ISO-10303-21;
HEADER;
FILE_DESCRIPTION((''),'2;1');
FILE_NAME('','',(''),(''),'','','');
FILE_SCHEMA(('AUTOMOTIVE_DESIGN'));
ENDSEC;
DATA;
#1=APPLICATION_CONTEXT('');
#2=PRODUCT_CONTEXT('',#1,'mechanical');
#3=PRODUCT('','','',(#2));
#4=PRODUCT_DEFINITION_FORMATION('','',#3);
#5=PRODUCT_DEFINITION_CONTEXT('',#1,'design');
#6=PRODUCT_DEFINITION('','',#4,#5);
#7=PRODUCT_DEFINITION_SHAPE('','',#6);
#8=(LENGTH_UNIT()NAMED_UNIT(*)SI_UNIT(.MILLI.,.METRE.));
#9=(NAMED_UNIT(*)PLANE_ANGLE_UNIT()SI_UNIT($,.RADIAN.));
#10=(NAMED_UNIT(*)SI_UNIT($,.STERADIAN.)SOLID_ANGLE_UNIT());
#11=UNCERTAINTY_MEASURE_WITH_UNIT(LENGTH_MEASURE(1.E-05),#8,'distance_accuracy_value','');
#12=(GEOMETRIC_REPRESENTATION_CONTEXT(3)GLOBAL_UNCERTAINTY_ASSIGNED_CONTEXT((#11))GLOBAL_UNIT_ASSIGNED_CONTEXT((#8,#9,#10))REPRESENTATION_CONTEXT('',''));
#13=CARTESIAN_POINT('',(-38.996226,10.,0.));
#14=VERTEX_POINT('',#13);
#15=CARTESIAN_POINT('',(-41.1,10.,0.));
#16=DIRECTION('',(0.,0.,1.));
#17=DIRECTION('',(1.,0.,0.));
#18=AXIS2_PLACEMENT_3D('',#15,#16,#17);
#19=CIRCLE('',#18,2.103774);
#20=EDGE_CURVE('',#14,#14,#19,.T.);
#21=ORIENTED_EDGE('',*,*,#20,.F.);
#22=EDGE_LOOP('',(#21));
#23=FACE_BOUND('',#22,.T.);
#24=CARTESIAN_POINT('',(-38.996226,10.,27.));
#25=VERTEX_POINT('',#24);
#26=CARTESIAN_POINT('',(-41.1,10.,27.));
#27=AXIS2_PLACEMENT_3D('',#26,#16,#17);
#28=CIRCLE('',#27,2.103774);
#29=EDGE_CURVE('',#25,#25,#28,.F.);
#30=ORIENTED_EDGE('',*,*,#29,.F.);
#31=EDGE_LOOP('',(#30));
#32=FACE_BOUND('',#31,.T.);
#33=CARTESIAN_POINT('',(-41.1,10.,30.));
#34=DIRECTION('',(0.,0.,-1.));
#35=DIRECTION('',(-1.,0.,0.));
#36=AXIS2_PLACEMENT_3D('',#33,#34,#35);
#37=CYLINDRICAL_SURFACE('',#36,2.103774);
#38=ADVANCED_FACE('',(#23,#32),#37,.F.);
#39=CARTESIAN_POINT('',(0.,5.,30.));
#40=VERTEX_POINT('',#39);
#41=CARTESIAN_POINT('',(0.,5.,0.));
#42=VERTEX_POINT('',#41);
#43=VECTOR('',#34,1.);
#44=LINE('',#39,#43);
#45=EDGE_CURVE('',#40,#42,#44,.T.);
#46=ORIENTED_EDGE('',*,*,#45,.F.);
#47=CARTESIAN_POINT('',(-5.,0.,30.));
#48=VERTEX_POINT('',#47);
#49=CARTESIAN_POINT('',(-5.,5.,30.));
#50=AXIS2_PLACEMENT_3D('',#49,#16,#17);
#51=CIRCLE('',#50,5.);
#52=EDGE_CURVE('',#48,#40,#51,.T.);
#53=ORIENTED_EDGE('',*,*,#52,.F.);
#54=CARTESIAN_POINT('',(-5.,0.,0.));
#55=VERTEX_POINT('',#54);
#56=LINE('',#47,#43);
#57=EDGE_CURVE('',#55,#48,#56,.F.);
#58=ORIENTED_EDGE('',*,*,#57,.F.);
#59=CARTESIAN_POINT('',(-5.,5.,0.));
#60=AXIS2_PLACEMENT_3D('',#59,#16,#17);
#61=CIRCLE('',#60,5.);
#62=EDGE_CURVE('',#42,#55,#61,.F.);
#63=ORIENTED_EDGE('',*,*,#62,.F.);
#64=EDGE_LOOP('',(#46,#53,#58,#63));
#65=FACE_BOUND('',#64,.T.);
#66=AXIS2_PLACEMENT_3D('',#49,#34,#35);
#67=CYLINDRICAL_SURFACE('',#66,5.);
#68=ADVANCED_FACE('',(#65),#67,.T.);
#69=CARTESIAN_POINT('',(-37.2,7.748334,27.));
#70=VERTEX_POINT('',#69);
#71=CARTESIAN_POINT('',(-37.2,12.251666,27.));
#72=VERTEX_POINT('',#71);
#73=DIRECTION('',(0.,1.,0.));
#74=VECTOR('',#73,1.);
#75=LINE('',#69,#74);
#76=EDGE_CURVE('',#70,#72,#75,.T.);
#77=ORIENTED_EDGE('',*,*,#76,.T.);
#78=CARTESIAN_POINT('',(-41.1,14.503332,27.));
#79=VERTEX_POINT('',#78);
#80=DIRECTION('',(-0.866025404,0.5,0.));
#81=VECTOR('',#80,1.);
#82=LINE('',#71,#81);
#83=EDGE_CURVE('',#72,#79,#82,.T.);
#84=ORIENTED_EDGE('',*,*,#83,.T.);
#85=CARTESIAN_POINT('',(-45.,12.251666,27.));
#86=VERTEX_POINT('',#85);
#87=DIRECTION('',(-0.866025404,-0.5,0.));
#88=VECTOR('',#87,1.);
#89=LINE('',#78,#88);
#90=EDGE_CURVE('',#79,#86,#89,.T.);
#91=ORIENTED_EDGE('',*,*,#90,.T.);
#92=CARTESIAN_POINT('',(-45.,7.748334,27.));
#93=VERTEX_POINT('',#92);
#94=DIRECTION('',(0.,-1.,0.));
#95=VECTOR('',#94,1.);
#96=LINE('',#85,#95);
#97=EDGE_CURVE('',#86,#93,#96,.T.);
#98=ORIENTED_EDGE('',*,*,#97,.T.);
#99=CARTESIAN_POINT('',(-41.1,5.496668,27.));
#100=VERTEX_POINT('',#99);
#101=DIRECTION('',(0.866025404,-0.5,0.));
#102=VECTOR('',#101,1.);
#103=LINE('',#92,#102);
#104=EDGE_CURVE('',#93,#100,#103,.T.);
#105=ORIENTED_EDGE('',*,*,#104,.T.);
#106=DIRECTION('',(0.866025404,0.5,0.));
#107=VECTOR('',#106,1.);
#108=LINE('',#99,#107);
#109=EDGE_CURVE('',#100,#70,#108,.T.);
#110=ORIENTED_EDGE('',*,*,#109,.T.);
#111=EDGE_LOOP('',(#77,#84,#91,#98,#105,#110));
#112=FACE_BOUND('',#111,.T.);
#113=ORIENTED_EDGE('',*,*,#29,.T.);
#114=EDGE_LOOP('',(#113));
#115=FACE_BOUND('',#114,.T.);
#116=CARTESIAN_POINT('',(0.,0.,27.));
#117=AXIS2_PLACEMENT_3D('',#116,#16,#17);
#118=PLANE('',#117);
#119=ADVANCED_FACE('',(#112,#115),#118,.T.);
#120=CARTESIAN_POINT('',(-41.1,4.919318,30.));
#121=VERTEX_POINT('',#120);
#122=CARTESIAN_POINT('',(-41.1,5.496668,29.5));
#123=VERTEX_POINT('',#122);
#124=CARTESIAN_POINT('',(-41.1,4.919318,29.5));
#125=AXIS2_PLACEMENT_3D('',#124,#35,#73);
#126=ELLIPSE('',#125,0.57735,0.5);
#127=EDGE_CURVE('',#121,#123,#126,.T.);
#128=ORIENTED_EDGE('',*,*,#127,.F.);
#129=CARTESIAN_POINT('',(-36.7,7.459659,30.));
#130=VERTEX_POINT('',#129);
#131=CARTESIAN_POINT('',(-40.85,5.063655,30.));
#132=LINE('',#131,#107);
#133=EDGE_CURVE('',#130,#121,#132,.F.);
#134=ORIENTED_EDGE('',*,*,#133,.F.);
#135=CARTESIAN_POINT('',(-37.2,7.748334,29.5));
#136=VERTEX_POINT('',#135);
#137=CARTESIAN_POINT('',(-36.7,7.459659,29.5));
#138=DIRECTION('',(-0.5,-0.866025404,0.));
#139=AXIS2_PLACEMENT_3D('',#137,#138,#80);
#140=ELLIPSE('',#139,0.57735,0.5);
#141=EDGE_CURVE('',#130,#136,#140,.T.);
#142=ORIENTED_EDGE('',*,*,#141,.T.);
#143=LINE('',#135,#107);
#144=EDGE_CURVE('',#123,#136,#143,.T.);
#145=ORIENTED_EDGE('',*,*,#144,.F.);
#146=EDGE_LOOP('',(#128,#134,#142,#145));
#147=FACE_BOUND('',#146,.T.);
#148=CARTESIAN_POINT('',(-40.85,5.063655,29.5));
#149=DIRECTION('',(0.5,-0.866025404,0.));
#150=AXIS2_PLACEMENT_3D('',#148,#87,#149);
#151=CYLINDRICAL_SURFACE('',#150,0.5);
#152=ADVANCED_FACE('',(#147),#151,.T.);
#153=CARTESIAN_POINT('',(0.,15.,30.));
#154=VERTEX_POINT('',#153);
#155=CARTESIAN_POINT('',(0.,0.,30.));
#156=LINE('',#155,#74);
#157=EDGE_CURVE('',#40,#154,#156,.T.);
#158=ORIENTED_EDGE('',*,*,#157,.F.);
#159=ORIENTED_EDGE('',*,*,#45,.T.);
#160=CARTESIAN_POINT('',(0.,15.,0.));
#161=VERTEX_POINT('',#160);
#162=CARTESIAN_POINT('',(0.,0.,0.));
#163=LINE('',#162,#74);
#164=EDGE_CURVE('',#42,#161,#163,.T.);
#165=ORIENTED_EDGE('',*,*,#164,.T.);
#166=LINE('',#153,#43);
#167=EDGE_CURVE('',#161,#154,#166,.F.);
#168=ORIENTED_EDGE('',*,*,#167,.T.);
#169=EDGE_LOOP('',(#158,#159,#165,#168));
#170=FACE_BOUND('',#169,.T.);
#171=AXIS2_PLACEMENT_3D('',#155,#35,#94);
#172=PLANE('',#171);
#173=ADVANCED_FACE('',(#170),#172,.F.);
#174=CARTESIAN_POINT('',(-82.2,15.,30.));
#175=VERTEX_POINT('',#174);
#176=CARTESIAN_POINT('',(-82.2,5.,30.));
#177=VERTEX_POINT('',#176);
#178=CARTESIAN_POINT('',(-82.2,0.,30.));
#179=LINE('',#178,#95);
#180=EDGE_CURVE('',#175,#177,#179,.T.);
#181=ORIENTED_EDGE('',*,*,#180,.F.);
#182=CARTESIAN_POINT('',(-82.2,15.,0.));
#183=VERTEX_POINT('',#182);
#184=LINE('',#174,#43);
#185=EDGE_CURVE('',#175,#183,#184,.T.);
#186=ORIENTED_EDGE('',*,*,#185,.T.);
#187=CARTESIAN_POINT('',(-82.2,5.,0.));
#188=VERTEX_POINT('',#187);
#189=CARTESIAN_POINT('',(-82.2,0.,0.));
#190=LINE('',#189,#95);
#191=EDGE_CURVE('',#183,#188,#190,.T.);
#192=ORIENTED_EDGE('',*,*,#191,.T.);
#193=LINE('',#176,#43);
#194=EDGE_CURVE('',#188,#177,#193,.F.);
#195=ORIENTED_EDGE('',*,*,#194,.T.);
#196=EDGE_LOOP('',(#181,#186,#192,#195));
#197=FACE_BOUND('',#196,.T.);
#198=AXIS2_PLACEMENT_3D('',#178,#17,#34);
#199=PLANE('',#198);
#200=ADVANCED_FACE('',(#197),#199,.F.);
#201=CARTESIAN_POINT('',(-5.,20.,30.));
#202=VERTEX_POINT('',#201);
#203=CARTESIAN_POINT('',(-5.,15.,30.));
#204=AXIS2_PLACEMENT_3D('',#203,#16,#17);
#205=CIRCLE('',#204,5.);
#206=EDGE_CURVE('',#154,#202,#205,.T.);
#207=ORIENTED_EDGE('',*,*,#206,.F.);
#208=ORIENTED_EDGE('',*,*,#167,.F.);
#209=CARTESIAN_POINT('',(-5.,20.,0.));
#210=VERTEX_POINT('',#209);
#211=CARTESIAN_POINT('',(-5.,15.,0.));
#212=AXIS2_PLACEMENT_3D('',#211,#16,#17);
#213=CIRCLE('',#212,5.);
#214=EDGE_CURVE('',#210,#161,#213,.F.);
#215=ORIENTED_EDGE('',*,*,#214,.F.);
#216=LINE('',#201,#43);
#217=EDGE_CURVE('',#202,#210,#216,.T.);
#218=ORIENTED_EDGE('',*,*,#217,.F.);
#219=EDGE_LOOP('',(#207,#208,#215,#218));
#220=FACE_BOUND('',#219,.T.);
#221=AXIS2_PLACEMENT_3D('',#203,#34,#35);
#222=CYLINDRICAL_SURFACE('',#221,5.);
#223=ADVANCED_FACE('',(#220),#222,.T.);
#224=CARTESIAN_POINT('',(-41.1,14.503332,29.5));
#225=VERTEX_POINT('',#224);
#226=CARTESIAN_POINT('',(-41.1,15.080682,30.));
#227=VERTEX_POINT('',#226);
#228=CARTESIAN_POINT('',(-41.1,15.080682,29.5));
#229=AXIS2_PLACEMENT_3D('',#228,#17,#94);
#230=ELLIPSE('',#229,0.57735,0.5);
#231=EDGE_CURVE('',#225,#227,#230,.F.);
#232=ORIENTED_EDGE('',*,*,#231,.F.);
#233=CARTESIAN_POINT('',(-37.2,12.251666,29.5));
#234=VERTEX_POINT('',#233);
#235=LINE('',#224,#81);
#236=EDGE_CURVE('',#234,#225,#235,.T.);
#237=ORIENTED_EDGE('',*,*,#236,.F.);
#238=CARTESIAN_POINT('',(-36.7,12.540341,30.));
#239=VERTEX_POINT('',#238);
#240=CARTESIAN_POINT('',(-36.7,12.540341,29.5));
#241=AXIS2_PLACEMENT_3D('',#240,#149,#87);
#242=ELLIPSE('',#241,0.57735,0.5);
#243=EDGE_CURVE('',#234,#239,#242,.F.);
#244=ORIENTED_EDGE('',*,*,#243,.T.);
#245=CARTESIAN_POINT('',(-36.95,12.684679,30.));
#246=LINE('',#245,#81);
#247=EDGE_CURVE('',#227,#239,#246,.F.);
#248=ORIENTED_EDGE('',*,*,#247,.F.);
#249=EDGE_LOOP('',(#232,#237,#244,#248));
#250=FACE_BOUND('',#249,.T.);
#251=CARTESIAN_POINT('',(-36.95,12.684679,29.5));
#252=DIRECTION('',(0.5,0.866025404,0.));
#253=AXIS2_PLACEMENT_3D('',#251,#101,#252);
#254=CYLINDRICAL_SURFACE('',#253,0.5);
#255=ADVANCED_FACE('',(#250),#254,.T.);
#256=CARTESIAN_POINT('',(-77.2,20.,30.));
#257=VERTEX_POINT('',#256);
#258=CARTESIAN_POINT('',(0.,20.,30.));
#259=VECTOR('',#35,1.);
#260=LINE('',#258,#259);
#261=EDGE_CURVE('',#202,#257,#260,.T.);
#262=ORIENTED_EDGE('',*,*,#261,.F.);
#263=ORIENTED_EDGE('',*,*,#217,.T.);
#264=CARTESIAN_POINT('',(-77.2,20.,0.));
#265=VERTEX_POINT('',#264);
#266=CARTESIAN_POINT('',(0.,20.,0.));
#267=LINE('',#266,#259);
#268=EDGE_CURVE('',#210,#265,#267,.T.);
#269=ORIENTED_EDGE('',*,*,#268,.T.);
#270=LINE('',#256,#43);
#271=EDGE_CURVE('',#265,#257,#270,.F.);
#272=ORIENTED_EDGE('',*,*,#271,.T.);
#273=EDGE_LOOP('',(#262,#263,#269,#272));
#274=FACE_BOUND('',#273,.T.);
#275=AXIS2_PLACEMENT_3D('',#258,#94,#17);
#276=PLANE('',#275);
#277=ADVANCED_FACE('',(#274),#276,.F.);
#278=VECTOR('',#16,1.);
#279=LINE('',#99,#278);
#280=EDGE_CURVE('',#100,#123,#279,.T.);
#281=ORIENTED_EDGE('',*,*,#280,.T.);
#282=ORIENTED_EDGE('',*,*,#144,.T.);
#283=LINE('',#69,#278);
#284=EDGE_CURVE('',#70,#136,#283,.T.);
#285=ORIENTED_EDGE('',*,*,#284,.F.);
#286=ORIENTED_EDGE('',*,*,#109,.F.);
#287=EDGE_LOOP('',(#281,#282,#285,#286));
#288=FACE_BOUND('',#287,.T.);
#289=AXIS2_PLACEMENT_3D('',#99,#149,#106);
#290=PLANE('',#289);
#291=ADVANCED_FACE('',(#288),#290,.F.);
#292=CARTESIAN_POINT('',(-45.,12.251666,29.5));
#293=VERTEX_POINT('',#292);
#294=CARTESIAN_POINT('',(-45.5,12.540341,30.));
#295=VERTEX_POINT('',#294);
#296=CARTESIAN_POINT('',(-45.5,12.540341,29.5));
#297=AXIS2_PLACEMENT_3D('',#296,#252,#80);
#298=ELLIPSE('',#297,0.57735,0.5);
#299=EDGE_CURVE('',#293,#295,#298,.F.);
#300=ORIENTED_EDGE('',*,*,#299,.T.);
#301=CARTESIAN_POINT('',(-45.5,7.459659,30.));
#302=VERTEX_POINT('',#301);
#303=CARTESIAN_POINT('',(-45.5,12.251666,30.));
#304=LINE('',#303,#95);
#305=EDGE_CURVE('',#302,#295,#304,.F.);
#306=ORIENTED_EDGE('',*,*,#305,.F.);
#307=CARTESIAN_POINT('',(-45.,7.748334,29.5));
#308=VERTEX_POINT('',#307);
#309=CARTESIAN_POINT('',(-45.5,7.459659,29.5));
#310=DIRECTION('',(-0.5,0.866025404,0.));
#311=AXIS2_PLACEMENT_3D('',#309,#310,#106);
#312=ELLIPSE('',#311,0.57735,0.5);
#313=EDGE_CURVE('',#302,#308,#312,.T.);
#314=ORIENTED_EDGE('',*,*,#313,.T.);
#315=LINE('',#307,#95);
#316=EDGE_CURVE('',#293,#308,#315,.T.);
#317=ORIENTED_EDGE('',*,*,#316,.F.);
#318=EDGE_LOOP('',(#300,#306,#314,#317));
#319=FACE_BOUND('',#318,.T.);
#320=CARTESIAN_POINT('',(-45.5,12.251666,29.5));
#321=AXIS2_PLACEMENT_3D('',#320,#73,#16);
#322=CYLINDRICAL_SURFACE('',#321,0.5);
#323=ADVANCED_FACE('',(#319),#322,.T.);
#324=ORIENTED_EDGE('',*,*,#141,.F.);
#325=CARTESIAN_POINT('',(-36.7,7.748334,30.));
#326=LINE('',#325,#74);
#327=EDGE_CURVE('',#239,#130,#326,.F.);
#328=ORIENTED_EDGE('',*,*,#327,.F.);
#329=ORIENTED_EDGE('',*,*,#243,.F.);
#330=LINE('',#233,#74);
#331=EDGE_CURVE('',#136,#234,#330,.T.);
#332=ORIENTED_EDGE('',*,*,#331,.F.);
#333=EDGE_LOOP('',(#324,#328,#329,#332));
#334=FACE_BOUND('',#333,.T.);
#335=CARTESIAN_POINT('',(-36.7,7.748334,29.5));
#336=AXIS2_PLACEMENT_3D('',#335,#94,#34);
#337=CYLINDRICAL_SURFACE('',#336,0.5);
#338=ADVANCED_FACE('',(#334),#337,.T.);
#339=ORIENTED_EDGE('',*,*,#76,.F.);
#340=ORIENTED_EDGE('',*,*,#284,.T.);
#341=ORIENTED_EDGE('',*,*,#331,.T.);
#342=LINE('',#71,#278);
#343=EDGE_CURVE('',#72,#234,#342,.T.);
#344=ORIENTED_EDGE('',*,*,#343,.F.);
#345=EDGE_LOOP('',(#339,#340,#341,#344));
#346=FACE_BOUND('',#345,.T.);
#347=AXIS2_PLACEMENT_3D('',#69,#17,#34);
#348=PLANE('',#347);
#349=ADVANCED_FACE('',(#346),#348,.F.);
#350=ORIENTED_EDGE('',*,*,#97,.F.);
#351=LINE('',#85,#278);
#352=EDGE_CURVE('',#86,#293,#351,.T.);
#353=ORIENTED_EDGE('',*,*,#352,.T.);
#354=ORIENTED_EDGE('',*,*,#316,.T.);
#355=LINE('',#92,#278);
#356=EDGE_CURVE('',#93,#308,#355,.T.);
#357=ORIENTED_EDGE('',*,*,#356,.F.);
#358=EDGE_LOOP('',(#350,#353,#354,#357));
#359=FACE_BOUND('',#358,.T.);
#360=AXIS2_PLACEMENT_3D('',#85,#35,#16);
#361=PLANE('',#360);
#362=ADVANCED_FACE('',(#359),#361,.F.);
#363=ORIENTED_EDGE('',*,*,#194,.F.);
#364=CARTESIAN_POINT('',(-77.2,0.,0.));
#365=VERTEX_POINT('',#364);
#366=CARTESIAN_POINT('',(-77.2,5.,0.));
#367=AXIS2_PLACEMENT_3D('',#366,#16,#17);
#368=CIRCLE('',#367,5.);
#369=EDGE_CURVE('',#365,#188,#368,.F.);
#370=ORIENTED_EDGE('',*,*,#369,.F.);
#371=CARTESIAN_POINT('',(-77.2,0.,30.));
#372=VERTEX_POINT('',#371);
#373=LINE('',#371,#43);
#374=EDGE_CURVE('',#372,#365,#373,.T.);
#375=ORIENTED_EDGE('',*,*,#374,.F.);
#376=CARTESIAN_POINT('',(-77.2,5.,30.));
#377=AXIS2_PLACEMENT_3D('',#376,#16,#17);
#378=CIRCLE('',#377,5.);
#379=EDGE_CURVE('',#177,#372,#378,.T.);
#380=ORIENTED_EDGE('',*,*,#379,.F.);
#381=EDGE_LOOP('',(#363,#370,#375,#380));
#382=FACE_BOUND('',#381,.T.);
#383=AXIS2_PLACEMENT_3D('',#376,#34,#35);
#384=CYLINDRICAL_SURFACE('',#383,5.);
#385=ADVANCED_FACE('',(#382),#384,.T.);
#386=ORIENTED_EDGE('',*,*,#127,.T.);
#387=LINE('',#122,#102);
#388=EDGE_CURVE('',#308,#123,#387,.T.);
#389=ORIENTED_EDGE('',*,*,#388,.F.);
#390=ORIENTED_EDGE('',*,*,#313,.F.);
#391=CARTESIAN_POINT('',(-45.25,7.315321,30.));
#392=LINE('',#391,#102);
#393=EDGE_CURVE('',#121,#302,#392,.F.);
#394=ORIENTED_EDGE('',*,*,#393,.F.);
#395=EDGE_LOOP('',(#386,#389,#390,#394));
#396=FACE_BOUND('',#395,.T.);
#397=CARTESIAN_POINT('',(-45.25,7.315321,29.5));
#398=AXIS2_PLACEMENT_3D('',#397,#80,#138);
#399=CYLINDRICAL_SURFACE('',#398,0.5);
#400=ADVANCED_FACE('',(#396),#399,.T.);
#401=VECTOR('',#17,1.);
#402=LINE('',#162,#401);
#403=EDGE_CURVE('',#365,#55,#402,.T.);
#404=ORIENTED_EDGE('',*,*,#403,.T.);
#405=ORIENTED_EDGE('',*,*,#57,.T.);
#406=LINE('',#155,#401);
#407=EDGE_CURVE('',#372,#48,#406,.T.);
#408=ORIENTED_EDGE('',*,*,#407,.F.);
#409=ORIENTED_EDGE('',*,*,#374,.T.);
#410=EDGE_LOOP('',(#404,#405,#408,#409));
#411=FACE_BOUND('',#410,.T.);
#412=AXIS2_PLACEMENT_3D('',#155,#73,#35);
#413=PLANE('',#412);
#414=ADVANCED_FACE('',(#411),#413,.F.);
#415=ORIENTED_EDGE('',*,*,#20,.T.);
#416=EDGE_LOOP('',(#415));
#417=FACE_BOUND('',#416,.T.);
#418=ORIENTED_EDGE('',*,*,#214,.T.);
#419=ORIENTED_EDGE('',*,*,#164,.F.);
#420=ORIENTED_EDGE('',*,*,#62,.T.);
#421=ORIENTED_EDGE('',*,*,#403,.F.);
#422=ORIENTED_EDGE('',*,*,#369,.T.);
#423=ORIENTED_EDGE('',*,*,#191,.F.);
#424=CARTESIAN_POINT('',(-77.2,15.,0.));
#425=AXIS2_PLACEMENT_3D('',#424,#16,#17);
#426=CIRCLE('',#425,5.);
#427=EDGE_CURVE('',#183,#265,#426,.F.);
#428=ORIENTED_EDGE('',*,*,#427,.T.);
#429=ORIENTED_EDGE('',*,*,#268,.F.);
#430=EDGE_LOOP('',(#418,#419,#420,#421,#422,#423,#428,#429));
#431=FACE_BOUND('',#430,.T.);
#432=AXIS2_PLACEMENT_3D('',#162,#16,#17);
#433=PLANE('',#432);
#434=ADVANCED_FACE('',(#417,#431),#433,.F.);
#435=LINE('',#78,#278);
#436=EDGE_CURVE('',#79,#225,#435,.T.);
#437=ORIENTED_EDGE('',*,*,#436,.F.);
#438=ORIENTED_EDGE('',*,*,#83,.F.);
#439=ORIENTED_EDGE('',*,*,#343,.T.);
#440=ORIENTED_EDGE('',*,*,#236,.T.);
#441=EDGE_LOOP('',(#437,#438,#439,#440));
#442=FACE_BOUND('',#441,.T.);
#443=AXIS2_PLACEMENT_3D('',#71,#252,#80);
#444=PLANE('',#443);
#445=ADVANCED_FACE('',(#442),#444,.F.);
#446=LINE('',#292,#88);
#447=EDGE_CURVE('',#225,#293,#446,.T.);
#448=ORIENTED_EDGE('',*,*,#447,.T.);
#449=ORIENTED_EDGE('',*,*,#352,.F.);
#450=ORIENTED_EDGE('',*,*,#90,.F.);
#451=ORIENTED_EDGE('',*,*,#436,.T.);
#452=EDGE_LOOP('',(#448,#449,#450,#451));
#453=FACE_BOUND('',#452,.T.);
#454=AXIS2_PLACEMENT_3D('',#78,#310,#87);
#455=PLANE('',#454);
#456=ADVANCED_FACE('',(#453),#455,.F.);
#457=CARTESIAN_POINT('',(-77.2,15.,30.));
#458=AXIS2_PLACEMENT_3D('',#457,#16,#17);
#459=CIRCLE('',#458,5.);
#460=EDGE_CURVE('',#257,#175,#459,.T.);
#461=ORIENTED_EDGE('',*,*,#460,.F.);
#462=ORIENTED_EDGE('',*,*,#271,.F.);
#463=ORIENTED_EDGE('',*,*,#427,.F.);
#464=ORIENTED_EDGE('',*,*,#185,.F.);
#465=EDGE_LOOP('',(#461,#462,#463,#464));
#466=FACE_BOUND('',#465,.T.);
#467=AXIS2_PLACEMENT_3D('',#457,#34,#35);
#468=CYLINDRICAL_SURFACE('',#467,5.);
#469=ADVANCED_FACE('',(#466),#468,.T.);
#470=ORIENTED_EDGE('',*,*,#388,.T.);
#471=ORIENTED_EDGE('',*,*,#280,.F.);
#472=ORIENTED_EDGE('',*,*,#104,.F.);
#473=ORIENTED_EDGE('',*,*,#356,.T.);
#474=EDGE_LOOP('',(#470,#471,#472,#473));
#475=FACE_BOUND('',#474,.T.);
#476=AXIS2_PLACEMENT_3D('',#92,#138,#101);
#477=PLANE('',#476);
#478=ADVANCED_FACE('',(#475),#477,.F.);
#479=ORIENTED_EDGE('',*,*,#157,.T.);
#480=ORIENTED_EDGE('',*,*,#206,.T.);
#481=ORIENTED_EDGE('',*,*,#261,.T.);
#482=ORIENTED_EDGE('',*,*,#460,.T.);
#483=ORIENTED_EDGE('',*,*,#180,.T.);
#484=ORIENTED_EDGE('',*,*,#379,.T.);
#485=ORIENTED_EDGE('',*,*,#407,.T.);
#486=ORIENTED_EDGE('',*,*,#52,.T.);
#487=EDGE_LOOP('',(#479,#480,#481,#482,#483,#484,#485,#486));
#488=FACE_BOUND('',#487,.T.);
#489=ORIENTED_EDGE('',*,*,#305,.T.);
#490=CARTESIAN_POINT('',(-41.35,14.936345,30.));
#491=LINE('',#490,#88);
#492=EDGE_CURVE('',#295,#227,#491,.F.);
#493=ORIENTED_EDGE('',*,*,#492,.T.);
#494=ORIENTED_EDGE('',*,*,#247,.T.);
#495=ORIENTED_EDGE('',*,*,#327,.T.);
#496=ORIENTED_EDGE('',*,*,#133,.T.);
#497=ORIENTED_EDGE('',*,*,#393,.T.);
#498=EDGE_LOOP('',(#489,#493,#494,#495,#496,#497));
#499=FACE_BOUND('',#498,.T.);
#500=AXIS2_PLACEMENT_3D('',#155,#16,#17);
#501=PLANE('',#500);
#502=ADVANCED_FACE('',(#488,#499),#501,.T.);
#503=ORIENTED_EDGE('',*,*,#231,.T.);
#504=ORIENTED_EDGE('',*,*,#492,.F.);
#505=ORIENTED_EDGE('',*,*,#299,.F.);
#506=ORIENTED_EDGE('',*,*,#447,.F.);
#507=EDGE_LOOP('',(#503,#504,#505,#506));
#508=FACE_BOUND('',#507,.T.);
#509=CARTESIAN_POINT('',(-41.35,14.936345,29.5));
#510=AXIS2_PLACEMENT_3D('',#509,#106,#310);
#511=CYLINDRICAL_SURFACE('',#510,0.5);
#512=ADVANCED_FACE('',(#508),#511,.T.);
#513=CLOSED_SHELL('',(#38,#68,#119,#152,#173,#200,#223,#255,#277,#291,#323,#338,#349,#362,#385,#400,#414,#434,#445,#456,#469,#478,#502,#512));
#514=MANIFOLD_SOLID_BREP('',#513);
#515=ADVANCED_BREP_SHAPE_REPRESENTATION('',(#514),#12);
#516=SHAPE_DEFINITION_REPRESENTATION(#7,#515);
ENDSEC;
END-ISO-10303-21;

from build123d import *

# Parameters (mm, degrees)
ESQUISSE1_W             = 82.2
ESQUISSE1_H             = 20
BOSS_EXTRU_1_DEPTH      = 30
ENL_V_MAT_EXTRU_1_DEPTH = 3
CONG_1_R                = 5
CONG_2_R                = 0.5
ESQUISSE8_R             = 2.103774153
ENL_V_MAT_EXTRU_3_DEPTH = 90.759901961


with BuildPart() as part:
    # Esquisse1 → Boss.-Extru.1 (new body)
    with BuildSketch(Plane.XY):
        with Locations((-41.1, 10)):
            Rectangle(ESQUISSE1_W, ESQUISSE1_H)
    extrude(amount=BOSS_EXTRU_1_DEPTH)

    # Esquisse2 → Enlèv. mat.-Extru.1 (cut)
    with BuildSketch(Plane.XY.offset(30)):
        Polygon((-41.1, 5.4966679), (-37.2, 7.74833395), (-37.2, 12.25166605), (-41.1, 14.5033321), (-45, 12.25166605), (-45, 7.74833395), align=None)
    extrude(amount=-ENL_V_MAT_EXTRU_1_DEPTH, mode=Mode.SUBTRACT)

    # Congé1
    cong_1_edges = [part.edges().sort_by_distance(p)[0] for p in [
        (0, 0, 15),
        (-82.2, 0, 15),
        (-82.2, 20, 15),
        (0, 20, 15),
    ]]
    fillet(cong_1_edges, radius=CONG_1_R)

    # Congé2
    cong_2_edges = [part.edges().sort_by_distance(p)[0] for p in [
        (-43.05, 6.622500925, 30),
        (-39.15, 6.622500925, 30),
        (-37.2, 10, 30),
        (-39.15, 13.377499075, 30),
        (-43.05, 13.377499075, 30),
        (-45, 10, 30),
    ]]
    fillet(cong_2_edges, radius=CONG_2_R)

    # Esquisse8 → Enlèv. mat.-Extru.3 (cut, through all)
    with BuildSketch(Plane.XY):
        with Locations((-41.1, 10)):
            Circle(ESQUISSE8_R)
    extrude(amount=ENL_V_MAT_EXTRU_3_DEPTH, mode=Mode.SUBTRACT)


solid = part.part
